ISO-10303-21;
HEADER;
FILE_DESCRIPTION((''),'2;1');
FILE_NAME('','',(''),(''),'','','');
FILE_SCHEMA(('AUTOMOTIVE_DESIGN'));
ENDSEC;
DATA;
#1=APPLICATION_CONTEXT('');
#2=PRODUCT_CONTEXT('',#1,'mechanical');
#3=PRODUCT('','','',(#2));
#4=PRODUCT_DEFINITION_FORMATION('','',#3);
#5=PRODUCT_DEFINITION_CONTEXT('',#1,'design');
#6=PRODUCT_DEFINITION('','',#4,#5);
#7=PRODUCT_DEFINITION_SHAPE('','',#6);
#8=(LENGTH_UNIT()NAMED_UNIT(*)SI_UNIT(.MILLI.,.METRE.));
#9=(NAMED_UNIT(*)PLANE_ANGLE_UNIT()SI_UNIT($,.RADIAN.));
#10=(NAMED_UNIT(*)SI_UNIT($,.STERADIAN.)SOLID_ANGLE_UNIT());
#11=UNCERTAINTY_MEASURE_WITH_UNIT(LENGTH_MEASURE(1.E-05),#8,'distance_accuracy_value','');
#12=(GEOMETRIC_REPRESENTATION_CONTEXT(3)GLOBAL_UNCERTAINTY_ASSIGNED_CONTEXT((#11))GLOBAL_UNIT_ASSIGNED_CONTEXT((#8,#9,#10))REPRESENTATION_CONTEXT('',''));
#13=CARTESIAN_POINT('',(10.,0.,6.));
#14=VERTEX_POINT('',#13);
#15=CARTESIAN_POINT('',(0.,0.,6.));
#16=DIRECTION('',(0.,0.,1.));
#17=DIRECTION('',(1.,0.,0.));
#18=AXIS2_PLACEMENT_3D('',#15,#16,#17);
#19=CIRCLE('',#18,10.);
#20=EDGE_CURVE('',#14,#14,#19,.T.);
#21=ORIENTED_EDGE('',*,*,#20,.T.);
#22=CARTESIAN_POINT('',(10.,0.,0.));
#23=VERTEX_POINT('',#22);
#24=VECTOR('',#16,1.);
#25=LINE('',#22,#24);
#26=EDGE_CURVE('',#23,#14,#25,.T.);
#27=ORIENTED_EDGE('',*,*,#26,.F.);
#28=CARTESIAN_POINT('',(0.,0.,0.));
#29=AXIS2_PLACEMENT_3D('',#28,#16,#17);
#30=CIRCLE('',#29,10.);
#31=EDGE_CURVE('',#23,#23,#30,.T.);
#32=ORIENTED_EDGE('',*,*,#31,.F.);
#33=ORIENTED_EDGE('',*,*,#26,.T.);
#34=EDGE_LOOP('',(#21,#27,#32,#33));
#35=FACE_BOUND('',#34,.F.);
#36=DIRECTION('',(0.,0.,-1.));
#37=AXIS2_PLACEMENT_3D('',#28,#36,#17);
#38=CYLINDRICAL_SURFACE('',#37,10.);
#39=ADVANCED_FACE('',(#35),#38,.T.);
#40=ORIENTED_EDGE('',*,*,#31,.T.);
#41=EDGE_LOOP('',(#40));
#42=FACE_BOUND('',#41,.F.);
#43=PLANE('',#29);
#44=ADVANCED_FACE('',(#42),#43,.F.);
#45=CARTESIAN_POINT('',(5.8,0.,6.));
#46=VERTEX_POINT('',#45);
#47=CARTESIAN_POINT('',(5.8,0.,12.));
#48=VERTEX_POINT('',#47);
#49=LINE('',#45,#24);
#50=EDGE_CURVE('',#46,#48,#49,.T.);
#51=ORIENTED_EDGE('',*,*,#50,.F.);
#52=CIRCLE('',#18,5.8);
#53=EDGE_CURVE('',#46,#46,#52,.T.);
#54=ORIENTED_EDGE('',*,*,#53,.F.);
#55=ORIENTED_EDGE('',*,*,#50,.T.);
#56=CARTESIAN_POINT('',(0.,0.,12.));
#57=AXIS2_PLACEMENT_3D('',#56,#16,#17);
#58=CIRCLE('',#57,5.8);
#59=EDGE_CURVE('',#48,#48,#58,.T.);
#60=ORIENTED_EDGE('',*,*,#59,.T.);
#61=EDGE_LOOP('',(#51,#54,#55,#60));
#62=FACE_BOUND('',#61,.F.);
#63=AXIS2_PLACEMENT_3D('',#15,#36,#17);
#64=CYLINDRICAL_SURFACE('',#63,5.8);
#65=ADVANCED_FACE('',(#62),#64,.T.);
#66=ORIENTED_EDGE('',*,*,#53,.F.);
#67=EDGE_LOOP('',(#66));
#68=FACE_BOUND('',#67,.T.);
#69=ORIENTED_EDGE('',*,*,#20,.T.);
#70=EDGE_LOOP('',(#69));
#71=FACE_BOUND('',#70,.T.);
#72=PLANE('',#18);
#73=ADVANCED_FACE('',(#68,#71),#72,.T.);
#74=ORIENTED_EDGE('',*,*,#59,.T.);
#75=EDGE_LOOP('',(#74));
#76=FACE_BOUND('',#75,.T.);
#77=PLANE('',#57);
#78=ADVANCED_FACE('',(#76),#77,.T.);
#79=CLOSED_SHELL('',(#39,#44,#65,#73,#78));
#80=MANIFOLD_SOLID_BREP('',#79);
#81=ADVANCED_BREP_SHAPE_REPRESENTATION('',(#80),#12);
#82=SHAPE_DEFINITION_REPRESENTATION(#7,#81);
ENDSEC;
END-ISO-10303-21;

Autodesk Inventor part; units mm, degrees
ref_plane "YZ Plane" through (0, 0, 0) normal (1, 0, 0) x (0, 1, 0)
ref_plane "XZ Plane" through (0, 0, 0) normal (0, 1, 0) x (-1, 0, 0)
ref_plane "XY Plane" through (0, 0, 0) normal (0, 0, 1) x (1, 0, 0)
sketch "スケッチ1" plane through (0, 0, 0) normal (0, 0, 1) x (1, 0, 0)
  circle A0 centre (0, 0) radius 10
  dimension "d0" = 20
extrude "押し出し1" add sketch "スケッチ1" along normal blind 6
sketch "スケッチ2" plane through (0, 0, 6) normal (0, 0, 1) x (1, 0, 0)
  circle A0 centre (0, 0) radius 5.8
  dimension "d3" = 11.6
extrude "押し出し2" add sketch "スケッチ2" along normal blind 6
properties part number "2axsisSensGear" material "アセタール樹脂、白"
